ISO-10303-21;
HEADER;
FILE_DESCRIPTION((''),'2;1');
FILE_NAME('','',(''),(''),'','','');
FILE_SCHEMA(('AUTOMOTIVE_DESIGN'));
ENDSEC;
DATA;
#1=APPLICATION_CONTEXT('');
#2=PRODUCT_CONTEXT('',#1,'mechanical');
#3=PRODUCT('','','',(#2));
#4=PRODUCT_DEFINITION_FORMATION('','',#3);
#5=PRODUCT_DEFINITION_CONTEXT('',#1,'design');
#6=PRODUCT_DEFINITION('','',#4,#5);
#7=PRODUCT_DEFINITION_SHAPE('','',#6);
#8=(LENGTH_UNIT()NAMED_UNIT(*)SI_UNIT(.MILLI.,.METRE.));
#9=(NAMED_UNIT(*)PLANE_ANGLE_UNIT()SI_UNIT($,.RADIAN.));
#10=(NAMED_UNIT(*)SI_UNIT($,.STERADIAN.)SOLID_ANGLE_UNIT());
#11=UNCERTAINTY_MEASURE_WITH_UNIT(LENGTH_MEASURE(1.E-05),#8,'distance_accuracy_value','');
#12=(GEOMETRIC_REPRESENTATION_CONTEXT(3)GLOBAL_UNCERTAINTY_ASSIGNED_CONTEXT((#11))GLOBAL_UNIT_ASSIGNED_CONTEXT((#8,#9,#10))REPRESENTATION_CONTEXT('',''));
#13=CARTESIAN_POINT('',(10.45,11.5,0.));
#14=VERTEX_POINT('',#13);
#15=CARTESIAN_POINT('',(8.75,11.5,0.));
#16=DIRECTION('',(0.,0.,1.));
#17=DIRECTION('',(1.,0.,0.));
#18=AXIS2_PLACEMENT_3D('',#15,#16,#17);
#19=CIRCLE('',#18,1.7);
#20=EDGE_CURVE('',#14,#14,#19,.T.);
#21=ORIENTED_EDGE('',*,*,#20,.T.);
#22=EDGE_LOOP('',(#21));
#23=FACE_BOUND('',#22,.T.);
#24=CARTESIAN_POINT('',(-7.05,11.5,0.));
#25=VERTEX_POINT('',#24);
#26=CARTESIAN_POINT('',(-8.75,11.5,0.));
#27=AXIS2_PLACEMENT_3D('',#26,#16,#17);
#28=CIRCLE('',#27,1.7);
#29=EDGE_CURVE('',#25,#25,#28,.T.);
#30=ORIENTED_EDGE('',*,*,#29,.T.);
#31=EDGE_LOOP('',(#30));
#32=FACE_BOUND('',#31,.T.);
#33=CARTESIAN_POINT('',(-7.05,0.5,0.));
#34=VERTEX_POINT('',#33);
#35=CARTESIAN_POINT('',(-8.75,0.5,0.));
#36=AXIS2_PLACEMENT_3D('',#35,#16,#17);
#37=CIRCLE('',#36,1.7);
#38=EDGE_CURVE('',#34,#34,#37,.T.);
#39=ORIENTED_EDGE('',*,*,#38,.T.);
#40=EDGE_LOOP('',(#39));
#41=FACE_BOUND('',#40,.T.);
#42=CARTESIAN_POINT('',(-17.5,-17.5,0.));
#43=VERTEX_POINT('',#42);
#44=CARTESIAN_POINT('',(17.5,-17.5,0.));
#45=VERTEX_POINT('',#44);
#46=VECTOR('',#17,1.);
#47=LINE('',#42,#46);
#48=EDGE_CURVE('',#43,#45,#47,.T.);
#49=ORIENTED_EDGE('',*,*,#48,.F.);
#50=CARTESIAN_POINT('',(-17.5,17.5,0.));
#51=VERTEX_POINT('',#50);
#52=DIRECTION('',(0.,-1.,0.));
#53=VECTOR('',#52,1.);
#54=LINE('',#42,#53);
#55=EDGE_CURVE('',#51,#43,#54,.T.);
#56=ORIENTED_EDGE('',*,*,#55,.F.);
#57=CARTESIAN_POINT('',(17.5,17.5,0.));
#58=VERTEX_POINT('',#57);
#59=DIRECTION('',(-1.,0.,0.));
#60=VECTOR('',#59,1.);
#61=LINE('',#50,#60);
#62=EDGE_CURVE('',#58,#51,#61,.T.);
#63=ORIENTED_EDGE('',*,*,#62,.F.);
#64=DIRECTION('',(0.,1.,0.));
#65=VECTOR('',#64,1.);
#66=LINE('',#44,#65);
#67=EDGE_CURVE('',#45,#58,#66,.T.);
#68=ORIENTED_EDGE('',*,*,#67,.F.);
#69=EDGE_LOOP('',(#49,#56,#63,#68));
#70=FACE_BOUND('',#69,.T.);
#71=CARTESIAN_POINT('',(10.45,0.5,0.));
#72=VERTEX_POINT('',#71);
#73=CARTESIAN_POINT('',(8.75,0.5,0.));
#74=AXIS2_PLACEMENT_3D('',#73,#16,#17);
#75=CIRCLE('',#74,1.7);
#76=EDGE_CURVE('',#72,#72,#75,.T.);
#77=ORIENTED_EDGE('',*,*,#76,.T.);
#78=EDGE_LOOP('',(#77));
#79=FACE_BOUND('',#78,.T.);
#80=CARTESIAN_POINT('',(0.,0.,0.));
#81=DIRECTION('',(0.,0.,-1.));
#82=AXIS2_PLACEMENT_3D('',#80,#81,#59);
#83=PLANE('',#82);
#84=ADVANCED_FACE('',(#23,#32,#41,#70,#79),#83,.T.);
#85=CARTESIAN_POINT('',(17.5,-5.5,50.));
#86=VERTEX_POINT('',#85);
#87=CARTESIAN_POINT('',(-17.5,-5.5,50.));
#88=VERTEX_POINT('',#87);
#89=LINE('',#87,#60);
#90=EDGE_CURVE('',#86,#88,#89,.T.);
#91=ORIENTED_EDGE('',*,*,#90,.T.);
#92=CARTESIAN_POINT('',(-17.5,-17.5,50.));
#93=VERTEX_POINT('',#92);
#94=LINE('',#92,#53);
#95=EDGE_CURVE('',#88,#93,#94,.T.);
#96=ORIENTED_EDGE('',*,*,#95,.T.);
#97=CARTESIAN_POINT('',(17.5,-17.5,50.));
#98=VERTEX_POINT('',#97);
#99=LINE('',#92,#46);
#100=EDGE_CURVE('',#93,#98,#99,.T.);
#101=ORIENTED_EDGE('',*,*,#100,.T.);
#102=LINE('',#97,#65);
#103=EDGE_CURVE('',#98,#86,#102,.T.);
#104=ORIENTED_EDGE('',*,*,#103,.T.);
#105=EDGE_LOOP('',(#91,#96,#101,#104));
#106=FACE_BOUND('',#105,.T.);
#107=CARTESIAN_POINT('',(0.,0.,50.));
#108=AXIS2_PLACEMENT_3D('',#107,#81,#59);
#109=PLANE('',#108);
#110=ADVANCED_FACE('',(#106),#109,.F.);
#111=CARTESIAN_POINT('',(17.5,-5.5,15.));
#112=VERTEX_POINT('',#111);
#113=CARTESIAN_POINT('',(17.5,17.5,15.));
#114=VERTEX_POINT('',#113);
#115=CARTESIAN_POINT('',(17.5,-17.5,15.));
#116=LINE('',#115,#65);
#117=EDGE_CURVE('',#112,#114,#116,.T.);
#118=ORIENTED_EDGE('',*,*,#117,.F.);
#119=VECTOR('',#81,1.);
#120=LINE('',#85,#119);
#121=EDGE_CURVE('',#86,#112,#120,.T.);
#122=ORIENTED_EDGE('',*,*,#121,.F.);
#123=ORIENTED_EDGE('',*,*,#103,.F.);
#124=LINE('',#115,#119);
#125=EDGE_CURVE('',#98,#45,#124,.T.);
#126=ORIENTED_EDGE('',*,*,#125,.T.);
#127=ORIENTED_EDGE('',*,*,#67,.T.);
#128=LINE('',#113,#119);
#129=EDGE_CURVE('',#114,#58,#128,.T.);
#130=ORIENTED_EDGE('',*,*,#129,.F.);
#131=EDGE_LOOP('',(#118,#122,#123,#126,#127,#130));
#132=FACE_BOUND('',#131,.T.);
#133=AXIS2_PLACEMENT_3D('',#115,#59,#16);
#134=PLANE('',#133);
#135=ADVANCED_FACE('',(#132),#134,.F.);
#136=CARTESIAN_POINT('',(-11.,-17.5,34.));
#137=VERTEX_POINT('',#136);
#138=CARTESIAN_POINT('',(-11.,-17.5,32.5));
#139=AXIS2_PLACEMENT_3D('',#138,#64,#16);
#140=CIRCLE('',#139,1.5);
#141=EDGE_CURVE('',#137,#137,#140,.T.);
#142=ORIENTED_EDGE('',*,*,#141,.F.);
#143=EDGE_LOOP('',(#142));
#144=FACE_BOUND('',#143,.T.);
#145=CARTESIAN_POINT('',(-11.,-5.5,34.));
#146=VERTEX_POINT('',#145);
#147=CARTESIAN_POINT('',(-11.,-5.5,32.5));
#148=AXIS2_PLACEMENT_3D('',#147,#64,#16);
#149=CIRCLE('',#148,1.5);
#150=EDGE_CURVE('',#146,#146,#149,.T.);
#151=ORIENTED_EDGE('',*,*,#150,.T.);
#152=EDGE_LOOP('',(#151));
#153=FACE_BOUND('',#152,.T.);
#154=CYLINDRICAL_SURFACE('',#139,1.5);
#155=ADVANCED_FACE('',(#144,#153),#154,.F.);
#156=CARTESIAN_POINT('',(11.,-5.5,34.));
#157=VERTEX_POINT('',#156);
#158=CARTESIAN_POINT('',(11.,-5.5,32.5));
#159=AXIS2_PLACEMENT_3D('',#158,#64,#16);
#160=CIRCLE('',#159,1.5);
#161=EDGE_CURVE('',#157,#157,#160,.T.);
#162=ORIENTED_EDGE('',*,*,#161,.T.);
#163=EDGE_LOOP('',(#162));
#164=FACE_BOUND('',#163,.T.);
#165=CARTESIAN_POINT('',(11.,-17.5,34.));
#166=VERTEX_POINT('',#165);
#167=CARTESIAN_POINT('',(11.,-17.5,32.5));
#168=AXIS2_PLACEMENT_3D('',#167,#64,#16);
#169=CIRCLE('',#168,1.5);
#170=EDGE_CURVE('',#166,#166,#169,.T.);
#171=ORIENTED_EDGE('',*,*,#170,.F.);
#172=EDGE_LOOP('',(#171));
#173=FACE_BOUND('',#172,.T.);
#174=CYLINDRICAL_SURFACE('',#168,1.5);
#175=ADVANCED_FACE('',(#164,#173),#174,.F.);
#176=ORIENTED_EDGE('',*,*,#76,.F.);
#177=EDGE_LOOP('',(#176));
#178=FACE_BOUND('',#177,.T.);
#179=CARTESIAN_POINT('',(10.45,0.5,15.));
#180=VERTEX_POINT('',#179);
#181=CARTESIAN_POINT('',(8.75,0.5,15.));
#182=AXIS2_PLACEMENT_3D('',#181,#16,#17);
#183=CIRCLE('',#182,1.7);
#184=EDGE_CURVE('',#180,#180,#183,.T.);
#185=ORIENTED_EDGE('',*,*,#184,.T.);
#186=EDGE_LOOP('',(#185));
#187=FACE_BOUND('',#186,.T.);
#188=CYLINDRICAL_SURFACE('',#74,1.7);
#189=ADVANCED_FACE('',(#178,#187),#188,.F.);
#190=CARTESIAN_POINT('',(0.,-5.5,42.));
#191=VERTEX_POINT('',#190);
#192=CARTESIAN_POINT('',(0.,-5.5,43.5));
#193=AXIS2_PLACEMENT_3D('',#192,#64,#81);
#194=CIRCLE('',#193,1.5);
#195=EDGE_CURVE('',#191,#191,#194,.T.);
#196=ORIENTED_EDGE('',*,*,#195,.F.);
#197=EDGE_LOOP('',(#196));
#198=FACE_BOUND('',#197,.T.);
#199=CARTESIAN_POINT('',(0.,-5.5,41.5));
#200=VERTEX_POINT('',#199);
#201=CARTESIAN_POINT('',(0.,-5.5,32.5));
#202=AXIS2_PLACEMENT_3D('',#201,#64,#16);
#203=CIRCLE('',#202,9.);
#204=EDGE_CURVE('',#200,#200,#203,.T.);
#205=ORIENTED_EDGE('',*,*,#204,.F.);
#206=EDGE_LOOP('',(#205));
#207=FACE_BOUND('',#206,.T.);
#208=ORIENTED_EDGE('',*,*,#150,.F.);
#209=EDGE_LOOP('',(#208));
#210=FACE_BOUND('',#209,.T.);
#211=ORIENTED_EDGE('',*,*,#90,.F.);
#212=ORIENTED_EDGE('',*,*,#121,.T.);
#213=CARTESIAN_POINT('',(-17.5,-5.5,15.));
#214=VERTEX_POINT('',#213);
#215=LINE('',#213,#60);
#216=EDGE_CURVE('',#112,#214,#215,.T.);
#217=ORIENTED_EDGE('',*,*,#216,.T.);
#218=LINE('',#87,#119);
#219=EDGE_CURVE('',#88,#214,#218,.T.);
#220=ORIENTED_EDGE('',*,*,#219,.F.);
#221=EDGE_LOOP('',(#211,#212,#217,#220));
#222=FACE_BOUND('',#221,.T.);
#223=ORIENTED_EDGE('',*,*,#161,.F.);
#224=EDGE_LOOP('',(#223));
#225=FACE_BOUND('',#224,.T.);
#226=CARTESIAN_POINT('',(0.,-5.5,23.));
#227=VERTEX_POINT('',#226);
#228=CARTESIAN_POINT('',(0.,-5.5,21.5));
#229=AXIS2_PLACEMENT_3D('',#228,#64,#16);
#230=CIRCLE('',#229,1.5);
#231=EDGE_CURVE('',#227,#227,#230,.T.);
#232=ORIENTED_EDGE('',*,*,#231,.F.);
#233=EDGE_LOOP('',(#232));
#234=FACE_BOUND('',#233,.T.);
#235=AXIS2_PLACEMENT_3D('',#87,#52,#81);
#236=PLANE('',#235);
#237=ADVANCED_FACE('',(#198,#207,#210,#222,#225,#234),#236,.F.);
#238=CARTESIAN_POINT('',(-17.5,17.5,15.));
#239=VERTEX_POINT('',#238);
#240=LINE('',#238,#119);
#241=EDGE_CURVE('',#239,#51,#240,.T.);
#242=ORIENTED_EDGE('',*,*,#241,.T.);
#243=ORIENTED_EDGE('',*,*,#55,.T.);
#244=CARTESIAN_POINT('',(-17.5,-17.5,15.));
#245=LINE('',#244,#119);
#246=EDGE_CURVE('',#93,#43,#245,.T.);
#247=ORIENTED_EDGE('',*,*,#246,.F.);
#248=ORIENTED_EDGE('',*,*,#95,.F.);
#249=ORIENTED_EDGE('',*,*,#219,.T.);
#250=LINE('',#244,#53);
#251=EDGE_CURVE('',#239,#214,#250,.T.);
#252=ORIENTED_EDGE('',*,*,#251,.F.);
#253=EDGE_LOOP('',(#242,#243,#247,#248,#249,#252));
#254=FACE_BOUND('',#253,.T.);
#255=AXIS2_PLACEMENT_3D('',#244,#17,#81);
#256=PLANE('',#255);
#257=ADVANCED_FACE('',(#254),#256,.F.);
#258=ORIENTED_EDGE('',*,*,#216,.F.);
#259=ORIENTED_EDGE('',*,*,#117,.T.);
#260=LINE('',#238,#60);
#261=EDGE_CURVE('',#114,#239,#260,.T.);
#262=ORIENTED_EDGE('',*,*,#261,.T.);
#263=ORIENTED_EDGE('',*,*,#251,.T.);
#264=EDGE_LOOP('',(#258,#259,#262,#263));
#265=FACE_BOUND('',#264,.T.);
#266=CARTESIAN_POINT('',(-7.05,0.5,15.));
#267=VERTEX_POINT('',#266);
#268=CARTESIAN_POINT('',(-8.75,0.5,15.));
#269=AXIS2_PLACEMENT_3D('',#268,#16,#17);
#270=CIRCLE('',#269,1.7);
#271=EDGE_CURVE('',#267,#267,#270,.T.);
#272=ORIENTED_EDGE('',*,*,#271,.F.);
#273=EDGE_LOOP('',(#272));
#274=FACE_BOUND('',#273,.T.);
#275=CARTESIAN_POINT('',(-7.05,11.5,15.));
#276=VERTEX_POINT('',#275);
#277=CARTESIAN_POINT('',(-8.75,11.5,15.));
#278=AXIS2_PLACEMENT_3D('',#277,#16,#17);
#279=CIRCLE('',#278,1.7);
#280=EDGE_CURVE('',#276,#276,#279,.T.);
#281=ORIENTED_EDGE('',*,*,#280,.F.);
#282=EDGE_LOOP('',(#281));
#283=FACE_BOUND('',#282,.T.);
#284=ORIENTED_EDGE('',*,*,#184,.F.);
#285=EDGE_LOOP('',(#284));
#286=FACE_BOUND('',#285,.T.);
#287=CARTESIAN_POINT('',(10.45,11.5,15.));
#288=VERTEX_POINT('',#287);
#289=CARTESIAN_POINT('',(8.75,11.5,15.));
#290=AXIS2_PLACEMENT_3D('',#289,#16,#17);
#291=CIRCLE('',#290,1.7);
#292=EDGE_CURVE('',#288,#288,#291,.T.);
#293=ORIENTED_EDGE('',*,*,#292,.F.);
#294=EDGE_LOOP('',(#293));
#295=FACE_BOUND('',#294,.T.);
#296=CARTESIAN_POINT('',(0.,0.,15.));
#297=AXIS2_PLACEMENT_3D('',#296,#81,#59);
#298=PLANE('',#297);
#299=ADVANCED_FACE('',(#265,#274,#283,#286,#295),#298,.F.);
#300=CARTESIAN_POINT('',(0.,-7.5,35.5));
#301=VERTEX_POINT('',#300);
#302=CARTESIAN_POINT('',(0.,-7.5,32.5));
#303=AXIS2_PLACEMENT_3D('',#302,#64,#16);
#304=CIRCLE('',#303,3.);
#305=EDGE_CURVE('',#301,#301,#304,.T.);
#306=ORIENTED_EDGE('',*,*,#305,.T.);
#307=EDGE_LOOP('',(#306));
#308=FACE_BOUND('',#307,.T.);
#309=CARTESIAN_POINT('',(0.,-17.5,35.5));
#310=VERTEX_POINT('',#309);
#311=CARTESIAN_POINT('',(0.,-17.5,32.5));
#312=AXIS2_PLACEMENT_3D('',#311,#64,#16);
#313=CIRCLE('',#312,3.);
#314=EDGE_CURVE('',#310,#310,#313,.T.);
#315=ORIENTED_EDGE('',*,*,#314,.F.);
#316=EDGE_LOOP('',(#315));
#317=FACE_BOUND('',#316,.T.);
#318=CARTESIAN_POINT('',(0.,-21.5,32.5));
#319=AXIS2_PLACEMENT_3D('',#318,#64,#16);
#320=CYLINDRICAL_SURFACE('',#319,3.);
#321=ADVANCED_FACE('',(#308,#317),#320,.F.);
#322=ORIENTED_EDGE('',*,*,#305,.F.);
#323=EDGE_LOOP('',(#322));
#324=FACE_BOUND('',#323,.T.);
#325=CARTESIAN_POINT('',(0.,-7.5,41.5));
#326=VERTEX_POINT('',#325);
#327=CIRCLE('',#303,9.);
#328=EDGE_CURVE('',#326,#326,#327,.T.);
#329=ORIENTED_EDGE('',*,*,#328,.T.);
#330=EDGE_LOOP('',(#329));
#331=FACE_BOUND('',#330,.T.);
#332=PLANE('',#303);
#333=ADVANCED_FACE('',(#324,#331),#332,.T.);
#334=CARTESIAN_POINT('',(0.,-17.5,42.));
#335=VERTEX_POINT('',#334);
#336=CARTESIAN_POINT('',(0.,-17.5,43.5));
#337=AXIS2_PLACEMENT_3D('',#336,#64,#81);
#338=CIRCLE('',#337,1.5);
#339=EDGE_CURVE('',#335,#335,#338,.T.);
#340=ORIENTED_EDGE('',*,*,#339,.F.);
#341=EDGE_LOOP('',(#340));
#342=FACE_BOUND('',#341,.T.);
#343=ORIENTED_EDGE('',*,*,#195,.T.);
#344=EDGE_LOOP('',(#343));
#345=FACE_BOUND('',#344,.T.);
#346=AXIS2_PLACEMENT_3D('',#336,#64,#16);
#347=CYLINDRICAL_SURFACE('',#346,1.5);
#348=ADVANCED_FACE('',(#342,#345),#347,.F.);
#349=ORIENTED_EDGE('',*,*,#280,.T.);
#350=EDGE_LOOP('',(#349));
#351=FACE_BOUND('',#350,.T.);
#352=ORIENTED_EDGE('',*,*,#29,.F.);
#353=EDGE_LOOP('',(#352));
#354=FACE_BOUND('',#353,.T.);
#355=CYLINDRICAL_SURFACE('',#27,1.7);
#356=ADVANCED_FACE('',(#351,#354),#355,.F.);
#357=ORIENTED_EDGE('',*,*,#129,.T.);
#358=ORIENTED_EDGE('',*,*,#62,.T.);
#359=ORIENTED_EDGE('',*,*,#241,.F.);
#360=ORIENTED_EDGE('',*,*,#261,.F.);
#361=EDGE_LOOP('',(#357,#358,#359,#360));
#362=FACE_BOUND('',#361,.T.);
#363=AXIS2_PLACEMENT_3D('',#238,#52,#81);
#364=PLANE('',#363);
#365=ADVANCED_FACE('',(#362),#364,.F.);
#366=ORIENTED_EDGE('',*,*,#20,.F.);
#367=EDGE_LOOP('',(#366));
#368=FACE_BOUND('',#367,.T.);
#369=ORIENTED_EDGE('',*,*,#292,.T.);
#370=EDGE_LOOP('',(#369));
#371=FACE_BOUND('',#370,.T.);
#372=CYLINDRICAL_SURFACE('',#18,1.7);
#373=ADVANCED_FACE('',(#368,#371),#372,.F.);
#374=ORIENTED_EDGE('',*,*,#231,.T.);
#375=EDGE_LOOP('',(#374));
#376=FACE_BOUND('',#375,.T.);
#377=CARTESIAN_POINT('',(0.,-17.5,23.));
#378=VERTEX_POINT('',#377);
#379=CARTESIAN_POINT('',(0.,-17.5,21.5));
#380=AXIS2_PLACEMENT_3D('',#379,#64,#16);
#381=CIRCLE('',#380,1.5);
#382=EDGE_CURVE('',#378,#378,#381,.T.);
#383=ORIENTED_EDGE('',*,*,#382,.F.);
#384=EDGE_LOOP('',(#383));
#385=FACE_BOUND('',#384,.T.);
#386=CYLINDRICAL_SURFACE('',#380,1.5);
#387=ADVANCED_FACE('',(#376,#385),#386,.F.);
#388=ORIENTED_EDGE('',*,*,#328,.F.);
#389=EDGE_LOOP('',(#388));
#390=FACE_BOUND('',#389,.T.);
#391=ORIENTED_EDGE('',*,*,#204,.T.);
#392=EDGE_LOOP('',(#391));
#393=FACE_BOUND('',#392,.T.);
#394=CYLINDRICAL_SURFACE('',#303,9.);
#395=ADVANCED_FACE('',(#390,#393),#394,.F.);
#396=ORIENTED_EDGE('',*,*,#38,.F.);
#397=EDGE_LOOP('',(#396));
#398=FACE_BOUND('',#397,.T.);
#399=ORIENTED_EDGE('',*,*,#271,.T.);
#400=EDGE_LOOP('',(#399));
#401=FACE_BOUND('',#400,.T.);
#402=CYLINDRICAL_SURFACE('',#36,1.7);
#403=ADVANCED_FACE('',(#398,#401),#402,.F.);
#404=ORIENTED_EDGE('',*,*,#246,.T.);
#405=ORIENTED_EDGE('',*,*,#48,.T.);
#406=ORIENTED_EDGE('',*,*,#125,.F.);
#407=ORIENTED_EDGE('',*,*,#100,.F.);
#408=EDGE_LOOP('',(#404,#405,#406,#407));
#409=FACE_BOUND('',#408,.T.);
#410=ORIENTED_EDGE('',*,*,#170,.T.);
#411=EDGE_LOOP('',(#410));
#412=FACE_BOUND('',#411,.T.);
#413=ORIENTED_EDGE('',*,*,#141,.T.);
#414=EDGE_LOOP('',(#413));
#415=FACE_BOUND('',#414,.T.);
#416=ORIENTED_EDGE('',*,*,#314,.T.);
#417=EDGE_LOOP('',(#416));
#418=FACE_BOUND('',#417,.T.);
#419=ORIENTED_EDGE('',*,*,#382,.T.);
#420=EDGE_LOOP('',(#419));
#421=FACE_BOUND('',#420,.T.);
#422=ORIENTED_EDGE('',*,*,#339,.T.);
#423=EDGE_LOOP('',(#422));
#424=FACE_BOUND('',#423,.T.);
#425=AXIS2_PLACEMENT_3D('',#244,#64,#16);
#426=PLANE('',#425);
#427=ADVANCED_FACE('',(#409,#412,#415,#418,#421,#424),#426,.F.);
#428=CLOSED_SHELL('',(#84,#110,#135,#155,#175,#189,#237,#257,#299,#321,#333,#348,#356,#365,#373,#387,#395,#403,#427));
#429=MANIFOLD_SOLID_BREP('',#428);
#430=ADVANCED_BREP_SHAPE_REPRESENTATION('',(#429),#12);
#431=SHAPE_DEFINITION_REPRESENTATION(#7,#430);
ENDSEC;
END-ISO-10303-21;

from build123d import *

# Parameters (mm, degrees)
SKETCH2_W           = 35
SKETCH2_H           = 35
BOSS_EXTRUDE1_DEPTH = 15
SKETCH3_W           = 35
SKETCH3_H           = 12
BOSS_EXTRUDE2_DEPTH = 35
SKETCH4_R           = 9
CUT_EXTRUDE1_DEPTH  = 2
SKETCH5_R           = 3
CUT_EXTRUDE2_DEPTH  = 14
SKETCH6_R           = 1.5
CUT_EXTRUDE3_DEPTH  = 58.751623354
SKETCH8_R           = 1.7
CUT_EXTRUDE4_DEPTH  = 43.866070499


with BuildPart() as part:
    # Sketch2 → Boss-Extrude1 (new body)
    with BuildSketch(Plane.XY):
        Rectangle(SKETCH2_W, SKETCH2_H)
    extrude(amount=BOSS_EXTRUDE1_DEPTH)

    # Sketch3 → Boss-Extrude2 (add)
    with BuildSketch(Plane.XY.offset(15)):
        with Locations((0, -11.5)):
            Rectangle(SKETCH3_W, SKETCH3_H)
    extrude(amount=BOSS_EXTRUDE2_DEPTH)

    # Sketch4 → Cut-Extrude1 (cut)
    with BuildSketch(Plane(origin=(0, -5.5, 0), x_dir=(1, 0, 0), z_dir=(0, 1, 0))):
        with Locations(Location((0, -32.5, 0), (0, 0, 270))):
            Circle(SKETCH4_R)
    extrude(amount=-CUT_EXTRUDE1_DEPTH, mode=Mode.SUBTRACT)

    # Sketch5 → Cut-Extrude2 (cut)
    with BuildSketch(Plane(origin=(0, -7.5, 0), x_dir=(1, 0, 0), z_dir=(0, 1, 0))):
        with Locations(Location((0, -32.5, 0), (0, 0, 270))):
            Circle(SKETCH5_R)
    extrude(amount=-CUT_EXTRUDE2_DEPTH, mode=Mode.SUBTRACT)

    # Sketch6 → Cut-Extrude3 (cut, through all)
    with BuildSketch(Plane(origin=(0, -5.5, 0), x_dir=(1, 0, 0), z_dir=(0, 1, 0))):
        with Locations(Location((0, -21.5, 0), (0, 0, 270))):
            Circle(SKETCH6_R)
        with Locations(Location((0, -43.5, 0), (0, 0, 90))):
            Circle(SKETCH6_R)
        with Locations(Location((-11, -32.5, 0), (0, 0, 270))):
            Circle(SKETCH6_R)
        with Locations(Location((11, -32.5, 0), (0, 0, 270))):
            Circle(SKETCH6_R)
    extrude(amount=-CUT_EXTRUDE3_DEPTH, mode=Mode.SUBTRACT)

    # Sketch8 → Cut-Extrude4 (cut, through all)
    with BuildSketch(Plane.XY.offset(15)):
        with Locations((-8.75, 0.5)):
            Circle(SKETCH8_R)
        with Locations((8.75, 0.5)):
            Circle(SKETCH8_R)
        with Locations((8.75, 11.5)):
            Circle(SKETCH8_R)
        with Locations((-8.75, 11.5)):
            Circle(SKETCH8_R)
    extrude(amount=-CUT_EXTRUDE4_DEPTH, mode=Mode.SUBTRACT)


solid = part.part
